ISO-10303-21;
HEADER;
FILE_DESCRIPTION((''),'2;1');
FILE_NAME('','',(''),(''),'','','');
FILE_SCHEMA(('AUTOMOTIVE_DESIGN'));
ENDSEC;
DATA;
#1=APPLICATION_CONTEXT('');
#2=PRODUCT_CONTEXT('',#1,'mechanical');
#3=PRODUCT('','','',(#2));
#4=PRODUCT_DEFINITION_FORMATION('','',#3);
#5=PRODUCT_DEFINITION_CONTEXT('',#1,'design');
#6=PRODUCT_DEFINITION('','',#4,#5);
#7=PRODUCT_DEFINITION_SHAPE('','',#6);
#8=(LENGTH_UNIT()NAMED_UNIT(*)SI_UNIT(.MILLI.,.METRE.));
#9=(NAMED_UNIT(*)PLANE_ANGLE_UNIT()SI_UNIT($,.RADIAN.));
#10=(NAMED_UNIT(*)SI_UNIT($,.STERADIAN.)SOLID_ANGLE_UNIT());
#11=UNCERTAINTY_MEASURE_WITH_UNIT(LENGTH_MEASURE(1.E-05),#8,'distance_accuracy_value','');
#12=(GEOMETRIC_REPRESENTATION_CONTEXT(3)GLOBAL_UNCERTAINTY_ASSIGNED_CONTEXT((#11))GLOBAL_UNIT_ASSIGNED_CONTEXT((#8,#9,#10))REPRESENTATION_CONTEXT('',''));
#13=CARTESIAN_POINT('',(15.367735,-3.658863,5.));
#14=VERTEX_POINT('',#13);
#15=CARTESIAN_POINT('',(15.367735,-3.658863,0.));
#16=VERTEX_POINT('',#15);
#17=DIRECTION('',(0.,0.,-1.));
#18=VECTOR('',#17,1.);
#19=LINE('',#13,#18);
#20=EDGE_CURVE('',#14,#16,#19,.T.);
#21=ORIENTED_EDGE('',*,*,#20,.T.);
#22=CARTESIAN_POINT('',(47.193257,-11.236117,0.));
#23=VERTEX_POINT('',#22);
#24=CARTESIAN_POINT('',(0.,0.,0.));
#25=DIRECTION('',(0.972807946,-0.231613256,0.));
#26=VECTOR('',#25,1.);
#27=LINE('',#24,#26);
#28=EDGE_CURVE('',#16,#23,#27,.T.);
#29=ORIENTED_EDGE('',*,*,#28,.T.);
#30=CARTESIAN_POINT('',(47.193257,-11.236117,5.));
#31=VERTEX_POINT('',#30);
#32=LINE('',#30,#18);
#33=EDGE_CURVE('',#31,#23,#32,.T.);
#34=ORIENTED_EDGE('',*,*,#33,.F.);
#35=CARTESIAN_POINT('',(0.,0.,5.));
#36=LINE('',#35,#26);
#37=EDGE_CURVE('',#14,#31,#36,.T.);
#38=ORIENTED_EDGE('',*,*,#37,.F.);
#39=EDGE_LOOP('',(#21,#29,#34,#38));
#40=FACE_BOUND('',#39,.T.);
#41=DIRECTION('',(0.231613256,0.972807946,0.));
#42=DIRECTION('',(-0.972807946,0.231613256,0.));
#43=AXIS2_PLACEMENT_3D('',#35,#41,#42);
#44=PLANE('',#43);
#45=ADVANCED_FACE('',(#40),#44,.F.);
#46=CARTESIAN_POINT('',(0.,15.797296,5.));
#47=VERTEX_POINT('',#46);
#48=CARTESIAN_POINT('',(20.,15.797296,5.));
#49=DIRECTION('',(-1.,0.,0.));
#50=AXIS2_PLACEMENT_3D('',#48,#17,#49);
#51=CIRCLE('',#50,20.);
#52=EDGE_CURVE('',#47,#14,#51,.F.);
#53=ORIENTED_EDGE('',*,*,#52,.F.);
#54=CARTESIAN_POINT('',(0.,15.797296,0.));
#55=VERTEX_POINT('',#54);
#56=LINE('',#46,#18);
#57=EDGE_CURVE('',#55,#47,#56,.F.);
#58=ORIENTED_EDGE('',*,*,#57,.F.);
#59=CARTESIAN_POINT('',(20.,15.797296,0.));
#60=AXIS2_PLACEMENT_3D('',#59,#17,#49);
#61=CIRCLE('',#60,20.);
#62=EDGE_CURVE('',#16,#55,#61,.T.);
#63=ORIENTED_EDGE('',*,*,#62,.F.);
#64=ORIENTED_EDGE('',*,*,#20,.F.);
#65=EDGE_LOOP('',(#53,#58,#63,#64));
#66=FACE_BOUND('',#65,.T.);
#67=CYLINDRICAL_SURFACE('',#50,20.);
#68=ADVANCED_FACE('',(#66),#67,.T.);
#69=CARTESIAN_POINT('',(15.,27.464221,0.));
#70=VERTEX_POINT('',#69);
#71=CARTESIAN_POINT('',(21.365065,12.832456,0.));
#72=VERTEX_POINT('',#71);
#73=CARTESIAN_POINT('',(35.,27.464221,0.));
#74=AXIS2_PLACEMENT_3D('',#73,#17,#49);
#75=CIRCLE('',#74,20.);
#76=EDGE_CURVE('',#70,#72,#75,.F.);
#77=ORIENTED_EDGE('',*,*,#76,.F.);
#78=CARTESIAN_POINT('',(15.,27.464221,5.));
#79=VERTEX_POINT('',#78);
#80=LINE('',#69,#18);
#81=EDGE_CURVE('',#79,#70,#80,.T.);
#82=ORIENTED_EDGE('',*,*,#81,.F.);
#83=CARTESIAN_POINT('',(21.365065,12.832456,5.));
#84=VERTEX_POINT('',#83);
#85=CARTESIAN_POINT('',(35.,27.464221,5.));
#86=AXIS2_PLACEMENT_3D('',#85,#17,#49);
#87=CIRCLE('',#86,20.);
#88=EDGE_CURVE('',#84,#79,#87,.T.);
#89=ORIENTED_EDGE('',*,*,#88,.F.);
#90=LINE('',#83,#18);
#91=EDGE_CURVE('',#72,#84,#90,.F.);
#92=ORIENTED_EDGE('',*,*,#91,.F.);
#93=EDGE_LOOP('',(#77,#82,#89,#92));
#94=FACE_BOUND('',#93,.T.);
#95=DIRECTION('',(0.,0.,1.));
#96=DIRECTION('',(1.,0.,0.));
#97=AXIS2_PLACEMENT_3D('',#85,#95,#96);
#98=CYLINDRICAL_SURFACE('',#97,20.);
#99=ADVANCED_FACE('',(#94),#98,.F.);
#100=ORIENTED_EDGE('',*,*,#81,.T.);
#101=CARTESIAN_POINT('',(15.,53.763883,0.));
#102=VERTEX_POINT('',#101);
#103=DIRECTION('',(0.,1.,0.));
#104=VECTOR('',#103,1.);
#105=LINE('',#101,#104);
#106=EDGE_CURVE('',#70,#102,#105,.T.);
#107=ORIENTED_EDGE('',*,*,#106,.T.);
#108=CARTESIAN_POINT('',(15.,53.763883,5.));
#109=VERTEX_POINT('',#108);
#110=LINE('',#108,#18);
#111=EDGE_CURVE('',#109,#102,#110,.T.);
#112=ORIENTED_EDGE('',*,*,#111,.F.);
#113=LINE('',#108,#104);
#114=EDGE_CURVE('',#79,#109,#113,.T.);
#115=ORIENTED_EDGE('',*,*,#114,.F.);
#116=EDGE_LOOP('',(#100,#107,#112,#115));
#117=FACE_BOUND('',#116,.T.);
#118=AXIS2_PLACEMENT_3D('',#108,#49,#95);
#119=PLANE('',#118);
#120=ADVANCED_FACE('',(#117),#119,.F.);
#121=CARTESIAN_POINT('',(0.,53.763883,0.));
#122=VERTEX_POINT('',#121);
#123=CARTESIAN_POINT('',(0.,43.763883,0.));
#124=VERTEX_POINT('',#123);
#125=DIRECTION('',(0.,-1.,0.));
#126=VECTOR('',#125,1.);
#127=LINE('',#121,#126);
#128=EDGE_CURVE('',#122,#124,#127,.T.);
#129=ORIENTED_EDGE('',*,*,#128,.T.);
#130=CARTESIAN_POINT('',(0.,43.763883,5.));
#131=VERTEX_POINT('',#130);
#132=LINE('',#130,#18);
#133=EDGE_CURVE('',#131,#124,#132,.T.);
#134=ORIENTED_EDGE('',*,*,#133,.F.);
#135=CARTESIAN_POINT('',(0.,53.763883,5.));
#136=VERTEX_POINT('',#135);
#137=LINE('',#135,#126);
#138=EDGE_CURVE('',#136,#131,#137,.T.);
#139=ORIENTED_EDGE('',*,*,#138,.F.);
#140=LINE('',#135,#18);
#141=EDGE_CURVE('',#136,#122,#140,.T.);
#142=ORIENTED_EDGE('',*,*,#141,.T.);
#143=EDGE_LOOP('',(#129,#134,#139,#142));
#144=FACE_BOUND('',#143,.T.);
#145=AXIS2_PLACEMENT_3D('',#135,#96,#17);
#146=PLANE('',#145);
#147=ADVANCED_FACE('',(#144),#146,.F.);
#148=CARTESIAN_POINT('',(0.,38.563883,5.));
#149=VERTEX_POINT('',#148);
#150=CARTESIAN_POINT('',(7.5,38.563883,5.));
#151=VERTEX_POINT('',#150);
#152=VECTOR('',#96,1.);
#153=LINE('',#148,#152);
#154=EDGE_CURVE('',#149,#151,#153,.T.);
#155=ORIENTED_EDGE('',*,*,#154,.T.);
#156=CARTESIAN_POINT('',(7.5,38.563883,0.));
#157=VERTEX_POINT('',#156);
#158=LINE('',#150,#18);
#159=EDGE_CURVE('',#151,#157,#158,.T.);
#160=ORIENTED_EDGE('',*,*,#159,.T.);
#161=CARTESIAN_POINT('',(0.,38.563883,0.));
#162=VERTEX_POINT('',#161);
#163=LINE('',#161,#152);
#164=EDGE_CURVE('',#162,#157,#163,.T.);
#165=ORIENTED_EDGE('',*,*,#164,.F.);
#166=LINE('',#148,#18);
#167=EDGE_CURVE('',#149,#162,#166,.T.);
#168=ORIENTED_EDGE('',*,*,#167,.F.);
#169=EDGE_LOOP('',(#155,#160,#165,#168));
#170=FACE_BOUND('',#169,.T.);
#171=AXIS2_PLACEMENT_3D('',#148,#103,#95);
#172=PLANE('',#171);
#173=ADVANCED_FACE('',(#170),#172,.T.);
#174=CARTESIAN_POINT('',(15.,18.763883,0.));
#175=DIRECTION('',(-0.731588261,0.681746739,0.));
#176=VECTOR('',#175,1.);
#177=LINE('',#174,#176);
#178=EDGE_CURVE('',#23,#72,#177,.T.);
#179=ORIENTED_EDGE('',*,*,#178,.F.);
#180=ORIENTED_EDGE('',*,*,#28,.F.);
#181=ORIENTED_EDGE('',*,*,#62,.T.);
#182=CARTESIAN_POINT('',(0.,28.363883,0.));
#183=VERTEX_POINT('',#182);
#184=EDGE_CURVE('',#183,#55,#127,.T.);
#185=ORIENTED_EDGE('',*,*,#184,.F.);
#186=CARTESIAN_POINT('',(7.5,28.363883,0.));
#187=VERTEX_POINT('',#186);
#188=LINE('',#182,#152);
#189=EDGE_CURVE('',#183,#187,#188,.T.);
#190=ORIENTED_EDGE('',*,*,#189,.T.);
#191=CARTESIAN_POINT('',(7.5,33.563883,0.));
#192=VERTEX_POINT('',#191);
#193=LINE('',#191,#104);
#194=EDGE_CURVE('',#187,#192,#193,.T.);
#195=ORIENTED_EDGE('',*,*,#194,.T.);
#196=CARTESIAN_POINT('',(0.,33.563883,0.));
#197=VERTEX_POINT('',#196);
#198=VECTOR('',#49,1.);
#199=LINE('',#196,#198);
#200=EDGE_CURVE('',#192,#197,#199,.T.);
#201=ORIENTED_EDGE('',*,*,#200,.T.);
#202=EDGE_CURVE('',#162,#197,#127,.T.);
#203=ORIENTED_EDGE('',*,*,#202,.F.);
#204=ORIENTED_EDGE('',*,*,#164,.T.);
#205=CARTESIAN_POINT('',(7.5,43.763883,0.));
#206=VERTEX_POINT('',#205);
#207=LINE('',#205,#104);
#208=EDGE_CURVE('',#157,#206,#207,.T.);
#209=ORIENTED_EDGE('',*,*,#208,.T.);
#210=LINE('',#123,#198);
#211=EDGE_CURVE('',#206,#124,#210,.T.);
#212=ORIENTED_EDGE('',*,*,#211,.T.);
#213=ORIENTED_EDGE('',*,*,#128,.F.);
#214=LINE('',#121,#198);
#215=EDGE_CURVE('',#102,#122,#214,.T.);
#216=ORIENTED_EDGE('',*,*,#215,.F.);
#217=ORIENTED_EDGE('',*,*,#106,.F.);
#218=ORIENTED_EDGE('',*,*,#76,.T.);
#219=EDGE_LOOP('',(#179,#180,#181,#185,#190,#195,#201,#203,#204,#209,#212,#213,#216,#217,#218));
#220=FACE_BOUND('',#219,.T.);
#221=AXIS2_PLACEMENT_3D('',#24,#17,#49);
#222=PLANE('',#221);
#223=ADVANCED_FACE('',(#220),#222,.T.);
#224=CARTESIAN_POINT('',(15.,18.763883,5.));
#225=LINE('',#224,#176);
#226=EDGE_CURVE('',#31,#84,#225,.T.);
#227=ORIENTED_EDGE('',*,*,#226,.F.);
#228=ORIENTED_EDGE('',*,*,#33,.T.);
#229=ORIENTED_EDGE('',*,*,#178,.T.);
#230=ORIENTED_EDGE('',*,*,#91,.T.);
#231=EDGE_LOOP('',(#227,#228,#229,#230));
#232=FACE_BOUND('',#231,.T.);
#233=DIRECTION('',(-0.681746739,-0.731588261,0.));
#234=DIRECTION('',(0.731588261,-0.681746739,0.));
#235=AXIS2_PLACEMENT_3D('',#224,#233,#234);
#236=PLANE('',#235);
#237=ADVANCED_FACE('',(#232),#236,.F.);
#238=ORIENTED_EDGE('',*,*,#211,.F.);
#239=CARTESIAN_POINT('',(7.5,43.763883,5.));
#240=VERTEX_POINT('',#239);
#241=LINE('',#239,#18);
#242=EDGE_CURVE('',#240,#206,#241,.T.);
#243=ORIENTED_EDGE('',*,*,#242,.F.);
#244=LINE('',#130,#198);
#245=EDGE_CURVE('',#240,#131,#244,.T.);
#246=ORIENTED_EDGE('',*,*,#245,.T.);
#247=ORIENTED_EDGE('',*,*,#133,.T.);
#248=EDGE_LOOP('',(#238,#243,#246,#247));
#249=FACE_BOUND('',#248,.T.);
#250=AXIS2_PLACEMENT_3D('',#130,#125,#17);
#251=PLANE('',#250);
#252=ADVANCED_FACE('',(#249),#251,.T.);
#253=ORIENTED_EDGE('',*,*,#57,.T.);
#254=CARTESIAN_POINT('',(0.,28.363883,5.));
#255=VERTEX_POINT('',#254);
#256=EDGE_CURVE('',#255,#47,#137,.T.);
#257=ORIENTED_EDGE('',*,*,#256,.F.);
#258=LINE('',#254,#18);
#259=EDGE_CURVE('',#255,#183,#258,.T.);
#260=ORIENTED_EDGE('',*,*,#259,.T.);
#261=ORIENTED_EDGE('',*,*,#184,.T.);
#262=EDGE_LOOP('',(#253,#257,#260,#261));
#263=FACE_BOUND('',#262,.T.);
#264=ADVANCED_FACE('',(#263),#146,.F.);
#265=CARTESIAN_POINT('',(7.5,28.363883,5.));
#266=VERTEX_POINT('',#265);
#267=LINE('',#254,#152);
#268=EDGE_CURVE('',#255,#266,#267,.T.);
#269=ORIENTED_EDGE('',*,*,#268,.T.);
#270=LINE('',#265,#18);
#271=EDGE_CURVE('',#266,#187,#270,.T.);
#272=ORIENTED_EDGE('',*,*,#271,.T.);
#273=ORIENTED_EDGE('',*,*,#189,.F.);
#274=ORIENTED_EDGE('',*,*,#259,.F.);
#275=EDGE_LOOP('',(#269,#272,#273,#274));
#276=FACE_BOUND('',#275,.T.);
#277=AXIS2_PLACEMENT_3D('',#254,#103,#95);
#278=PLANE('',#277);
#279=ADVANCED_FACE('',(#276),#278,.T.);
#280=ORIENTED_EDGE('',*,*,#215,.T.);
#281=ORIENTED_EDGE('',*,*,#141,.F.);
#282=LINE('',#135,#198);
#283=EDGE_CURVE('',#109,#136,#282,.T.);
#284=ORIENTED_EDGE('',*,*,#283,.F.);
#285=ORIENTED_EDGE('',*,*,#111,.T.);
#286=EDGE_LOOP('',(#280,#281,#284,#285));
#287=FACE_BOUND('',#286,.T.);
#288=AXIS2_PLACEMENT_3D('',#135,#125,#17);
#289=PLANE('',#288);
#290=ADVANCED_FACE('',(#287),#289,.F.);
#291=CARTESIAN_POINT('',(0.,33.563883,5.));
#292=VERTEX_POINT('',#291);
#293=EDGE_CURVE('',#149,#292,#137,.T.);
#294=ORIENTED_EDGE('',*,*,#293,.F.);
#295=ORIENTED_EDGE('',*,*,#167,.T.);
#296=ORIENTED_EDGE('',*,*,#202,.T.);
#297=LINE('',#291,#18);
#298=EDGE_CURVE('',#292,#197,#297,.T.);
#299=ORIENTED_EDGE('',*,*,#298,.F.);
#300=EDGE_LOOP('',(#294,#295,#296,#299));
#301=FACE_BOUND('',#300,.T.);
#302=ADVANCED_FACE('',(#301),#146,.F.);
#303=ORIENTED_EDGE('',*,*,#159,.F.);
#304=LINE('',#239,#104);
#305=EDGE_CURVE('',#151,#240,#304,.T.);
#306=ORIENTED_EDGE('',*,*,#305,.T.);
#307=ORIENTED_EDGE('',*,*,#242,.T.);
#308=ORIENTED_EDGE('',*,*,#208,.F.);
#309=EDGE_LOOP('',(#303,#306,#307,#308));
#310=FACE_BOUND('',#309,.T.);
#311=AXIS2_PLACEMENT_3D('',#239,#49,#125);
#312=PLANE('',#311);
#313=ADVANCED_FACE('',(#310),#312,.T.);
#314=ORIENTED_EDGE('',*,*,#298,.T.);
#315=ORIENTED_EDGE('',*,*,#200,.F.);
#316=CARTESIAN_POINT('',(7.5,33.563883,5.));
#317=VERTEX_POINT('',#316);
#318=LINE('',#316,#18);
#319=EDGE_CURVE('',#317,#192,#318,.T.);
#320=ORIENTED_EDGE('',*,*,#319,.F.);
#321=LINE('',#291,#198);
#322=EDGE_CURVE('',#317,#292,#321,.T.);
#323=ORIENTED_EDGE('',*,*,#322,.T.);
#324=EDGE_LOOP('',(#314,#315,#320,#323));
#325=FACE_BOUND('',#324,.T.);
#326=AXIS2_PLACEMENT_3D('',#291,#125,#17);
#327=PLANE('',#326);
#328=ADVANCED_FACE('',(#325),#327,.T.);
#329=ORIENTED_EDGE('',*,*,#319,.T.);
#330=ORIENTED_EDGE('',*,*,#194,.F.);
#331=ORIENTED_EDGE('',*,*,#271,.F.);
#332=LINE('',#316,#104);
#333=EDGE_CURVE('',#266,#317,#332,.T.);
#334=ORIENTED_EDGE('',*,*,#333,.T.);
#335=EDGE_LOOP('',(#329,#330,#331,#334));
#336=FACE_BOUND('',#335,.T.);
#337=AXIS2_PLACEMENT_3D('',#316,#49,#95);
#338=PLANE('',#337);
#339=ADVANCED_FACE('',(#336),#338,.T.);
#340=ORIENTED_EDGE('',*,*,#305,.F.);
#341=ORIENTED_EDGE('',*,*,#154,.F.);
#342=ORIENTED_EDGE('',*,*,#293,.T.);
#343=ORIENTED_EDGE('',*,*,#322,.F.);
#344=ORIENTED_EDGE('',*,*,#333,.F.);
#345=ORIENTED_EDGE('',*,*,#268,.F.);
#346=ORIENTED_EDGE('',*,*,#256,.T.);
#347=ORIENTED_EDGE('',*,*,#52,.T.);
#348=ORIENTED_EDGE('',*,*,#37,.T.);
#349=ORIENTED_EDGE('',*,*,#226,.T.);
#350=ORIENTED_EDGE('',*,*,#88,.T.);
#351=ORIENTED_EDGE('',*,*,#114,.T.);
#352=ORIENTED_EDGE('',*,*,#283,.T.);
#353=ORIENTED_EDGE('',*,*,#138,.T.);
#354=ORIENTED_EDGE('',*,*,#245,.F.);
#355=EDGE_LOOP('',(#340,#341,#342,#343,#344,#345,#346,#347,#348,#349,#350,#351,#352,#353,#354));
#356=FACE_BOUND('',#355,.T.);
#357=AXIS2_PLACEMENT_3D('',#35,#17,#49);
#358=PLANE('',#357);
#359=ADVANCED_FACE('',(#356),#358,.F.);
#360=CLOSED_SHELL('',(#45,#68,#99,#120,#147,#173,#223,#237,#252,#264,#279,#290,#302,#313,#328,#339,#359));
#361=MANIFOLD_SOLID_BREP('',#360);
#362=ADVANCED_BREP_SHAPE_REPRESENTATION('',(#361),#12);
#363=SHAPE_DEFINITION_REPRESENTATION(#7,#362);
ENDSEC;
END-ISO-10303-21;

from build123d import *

# Parameters (mm, degrees)
BOSS_EXTRUDE1_DEPTH = 5
FILLET1_R           = 20
FILLET2_R           = 20
SKETCH3_W           = 7.5
SKETCH3_H           = 5.2
CUT_EXTRUDE2_DEPTH  = 5


with BuildPart() as part:
    # Sketch1 → Boss-Extrude1 (new body)
    with BuildSketch(Plane.XY):
        Polygon((0, 53.763883017), (0, 0), (47.193256778, -11.236116983), (15, 18.763883017), (15, 53.763883017), align=None)
    extrude(amount=BOSS_EXTRUDE1_DEPTH)

    # Fillet1
    fillet1_edges = [part.edges().sort_by_distance(p)[0] for p in [
        (0, 0, 2.5),
    ]]
    fillet(fillet1_edges, radius=FILLET1_R)

    # Fillet2
    fillet2_edges = [part.edges().sort_by_distance(p)[0] for p in [
        (15, 18.763883017, 2.5),
    ]]
    fillet(fillet2_edges, radius=FILLET2_R)

    # Sketch3 → Cut-Extrude2 (cut)
    with BuildSketch(Plane.XY):
        with Locations((3.75, 41.163883017)):
            Rectangle(SKETCH3_W, SKETCH3_H)
        with Locations((3.75, 30.963883017)):
            Rectangle(SKETCH3_W, SKETCH3_H)
    extrude(amount=CUT_EXTRUDE2_DEPTH, mode=Mode.SUBTRACT)


solid = part.part
